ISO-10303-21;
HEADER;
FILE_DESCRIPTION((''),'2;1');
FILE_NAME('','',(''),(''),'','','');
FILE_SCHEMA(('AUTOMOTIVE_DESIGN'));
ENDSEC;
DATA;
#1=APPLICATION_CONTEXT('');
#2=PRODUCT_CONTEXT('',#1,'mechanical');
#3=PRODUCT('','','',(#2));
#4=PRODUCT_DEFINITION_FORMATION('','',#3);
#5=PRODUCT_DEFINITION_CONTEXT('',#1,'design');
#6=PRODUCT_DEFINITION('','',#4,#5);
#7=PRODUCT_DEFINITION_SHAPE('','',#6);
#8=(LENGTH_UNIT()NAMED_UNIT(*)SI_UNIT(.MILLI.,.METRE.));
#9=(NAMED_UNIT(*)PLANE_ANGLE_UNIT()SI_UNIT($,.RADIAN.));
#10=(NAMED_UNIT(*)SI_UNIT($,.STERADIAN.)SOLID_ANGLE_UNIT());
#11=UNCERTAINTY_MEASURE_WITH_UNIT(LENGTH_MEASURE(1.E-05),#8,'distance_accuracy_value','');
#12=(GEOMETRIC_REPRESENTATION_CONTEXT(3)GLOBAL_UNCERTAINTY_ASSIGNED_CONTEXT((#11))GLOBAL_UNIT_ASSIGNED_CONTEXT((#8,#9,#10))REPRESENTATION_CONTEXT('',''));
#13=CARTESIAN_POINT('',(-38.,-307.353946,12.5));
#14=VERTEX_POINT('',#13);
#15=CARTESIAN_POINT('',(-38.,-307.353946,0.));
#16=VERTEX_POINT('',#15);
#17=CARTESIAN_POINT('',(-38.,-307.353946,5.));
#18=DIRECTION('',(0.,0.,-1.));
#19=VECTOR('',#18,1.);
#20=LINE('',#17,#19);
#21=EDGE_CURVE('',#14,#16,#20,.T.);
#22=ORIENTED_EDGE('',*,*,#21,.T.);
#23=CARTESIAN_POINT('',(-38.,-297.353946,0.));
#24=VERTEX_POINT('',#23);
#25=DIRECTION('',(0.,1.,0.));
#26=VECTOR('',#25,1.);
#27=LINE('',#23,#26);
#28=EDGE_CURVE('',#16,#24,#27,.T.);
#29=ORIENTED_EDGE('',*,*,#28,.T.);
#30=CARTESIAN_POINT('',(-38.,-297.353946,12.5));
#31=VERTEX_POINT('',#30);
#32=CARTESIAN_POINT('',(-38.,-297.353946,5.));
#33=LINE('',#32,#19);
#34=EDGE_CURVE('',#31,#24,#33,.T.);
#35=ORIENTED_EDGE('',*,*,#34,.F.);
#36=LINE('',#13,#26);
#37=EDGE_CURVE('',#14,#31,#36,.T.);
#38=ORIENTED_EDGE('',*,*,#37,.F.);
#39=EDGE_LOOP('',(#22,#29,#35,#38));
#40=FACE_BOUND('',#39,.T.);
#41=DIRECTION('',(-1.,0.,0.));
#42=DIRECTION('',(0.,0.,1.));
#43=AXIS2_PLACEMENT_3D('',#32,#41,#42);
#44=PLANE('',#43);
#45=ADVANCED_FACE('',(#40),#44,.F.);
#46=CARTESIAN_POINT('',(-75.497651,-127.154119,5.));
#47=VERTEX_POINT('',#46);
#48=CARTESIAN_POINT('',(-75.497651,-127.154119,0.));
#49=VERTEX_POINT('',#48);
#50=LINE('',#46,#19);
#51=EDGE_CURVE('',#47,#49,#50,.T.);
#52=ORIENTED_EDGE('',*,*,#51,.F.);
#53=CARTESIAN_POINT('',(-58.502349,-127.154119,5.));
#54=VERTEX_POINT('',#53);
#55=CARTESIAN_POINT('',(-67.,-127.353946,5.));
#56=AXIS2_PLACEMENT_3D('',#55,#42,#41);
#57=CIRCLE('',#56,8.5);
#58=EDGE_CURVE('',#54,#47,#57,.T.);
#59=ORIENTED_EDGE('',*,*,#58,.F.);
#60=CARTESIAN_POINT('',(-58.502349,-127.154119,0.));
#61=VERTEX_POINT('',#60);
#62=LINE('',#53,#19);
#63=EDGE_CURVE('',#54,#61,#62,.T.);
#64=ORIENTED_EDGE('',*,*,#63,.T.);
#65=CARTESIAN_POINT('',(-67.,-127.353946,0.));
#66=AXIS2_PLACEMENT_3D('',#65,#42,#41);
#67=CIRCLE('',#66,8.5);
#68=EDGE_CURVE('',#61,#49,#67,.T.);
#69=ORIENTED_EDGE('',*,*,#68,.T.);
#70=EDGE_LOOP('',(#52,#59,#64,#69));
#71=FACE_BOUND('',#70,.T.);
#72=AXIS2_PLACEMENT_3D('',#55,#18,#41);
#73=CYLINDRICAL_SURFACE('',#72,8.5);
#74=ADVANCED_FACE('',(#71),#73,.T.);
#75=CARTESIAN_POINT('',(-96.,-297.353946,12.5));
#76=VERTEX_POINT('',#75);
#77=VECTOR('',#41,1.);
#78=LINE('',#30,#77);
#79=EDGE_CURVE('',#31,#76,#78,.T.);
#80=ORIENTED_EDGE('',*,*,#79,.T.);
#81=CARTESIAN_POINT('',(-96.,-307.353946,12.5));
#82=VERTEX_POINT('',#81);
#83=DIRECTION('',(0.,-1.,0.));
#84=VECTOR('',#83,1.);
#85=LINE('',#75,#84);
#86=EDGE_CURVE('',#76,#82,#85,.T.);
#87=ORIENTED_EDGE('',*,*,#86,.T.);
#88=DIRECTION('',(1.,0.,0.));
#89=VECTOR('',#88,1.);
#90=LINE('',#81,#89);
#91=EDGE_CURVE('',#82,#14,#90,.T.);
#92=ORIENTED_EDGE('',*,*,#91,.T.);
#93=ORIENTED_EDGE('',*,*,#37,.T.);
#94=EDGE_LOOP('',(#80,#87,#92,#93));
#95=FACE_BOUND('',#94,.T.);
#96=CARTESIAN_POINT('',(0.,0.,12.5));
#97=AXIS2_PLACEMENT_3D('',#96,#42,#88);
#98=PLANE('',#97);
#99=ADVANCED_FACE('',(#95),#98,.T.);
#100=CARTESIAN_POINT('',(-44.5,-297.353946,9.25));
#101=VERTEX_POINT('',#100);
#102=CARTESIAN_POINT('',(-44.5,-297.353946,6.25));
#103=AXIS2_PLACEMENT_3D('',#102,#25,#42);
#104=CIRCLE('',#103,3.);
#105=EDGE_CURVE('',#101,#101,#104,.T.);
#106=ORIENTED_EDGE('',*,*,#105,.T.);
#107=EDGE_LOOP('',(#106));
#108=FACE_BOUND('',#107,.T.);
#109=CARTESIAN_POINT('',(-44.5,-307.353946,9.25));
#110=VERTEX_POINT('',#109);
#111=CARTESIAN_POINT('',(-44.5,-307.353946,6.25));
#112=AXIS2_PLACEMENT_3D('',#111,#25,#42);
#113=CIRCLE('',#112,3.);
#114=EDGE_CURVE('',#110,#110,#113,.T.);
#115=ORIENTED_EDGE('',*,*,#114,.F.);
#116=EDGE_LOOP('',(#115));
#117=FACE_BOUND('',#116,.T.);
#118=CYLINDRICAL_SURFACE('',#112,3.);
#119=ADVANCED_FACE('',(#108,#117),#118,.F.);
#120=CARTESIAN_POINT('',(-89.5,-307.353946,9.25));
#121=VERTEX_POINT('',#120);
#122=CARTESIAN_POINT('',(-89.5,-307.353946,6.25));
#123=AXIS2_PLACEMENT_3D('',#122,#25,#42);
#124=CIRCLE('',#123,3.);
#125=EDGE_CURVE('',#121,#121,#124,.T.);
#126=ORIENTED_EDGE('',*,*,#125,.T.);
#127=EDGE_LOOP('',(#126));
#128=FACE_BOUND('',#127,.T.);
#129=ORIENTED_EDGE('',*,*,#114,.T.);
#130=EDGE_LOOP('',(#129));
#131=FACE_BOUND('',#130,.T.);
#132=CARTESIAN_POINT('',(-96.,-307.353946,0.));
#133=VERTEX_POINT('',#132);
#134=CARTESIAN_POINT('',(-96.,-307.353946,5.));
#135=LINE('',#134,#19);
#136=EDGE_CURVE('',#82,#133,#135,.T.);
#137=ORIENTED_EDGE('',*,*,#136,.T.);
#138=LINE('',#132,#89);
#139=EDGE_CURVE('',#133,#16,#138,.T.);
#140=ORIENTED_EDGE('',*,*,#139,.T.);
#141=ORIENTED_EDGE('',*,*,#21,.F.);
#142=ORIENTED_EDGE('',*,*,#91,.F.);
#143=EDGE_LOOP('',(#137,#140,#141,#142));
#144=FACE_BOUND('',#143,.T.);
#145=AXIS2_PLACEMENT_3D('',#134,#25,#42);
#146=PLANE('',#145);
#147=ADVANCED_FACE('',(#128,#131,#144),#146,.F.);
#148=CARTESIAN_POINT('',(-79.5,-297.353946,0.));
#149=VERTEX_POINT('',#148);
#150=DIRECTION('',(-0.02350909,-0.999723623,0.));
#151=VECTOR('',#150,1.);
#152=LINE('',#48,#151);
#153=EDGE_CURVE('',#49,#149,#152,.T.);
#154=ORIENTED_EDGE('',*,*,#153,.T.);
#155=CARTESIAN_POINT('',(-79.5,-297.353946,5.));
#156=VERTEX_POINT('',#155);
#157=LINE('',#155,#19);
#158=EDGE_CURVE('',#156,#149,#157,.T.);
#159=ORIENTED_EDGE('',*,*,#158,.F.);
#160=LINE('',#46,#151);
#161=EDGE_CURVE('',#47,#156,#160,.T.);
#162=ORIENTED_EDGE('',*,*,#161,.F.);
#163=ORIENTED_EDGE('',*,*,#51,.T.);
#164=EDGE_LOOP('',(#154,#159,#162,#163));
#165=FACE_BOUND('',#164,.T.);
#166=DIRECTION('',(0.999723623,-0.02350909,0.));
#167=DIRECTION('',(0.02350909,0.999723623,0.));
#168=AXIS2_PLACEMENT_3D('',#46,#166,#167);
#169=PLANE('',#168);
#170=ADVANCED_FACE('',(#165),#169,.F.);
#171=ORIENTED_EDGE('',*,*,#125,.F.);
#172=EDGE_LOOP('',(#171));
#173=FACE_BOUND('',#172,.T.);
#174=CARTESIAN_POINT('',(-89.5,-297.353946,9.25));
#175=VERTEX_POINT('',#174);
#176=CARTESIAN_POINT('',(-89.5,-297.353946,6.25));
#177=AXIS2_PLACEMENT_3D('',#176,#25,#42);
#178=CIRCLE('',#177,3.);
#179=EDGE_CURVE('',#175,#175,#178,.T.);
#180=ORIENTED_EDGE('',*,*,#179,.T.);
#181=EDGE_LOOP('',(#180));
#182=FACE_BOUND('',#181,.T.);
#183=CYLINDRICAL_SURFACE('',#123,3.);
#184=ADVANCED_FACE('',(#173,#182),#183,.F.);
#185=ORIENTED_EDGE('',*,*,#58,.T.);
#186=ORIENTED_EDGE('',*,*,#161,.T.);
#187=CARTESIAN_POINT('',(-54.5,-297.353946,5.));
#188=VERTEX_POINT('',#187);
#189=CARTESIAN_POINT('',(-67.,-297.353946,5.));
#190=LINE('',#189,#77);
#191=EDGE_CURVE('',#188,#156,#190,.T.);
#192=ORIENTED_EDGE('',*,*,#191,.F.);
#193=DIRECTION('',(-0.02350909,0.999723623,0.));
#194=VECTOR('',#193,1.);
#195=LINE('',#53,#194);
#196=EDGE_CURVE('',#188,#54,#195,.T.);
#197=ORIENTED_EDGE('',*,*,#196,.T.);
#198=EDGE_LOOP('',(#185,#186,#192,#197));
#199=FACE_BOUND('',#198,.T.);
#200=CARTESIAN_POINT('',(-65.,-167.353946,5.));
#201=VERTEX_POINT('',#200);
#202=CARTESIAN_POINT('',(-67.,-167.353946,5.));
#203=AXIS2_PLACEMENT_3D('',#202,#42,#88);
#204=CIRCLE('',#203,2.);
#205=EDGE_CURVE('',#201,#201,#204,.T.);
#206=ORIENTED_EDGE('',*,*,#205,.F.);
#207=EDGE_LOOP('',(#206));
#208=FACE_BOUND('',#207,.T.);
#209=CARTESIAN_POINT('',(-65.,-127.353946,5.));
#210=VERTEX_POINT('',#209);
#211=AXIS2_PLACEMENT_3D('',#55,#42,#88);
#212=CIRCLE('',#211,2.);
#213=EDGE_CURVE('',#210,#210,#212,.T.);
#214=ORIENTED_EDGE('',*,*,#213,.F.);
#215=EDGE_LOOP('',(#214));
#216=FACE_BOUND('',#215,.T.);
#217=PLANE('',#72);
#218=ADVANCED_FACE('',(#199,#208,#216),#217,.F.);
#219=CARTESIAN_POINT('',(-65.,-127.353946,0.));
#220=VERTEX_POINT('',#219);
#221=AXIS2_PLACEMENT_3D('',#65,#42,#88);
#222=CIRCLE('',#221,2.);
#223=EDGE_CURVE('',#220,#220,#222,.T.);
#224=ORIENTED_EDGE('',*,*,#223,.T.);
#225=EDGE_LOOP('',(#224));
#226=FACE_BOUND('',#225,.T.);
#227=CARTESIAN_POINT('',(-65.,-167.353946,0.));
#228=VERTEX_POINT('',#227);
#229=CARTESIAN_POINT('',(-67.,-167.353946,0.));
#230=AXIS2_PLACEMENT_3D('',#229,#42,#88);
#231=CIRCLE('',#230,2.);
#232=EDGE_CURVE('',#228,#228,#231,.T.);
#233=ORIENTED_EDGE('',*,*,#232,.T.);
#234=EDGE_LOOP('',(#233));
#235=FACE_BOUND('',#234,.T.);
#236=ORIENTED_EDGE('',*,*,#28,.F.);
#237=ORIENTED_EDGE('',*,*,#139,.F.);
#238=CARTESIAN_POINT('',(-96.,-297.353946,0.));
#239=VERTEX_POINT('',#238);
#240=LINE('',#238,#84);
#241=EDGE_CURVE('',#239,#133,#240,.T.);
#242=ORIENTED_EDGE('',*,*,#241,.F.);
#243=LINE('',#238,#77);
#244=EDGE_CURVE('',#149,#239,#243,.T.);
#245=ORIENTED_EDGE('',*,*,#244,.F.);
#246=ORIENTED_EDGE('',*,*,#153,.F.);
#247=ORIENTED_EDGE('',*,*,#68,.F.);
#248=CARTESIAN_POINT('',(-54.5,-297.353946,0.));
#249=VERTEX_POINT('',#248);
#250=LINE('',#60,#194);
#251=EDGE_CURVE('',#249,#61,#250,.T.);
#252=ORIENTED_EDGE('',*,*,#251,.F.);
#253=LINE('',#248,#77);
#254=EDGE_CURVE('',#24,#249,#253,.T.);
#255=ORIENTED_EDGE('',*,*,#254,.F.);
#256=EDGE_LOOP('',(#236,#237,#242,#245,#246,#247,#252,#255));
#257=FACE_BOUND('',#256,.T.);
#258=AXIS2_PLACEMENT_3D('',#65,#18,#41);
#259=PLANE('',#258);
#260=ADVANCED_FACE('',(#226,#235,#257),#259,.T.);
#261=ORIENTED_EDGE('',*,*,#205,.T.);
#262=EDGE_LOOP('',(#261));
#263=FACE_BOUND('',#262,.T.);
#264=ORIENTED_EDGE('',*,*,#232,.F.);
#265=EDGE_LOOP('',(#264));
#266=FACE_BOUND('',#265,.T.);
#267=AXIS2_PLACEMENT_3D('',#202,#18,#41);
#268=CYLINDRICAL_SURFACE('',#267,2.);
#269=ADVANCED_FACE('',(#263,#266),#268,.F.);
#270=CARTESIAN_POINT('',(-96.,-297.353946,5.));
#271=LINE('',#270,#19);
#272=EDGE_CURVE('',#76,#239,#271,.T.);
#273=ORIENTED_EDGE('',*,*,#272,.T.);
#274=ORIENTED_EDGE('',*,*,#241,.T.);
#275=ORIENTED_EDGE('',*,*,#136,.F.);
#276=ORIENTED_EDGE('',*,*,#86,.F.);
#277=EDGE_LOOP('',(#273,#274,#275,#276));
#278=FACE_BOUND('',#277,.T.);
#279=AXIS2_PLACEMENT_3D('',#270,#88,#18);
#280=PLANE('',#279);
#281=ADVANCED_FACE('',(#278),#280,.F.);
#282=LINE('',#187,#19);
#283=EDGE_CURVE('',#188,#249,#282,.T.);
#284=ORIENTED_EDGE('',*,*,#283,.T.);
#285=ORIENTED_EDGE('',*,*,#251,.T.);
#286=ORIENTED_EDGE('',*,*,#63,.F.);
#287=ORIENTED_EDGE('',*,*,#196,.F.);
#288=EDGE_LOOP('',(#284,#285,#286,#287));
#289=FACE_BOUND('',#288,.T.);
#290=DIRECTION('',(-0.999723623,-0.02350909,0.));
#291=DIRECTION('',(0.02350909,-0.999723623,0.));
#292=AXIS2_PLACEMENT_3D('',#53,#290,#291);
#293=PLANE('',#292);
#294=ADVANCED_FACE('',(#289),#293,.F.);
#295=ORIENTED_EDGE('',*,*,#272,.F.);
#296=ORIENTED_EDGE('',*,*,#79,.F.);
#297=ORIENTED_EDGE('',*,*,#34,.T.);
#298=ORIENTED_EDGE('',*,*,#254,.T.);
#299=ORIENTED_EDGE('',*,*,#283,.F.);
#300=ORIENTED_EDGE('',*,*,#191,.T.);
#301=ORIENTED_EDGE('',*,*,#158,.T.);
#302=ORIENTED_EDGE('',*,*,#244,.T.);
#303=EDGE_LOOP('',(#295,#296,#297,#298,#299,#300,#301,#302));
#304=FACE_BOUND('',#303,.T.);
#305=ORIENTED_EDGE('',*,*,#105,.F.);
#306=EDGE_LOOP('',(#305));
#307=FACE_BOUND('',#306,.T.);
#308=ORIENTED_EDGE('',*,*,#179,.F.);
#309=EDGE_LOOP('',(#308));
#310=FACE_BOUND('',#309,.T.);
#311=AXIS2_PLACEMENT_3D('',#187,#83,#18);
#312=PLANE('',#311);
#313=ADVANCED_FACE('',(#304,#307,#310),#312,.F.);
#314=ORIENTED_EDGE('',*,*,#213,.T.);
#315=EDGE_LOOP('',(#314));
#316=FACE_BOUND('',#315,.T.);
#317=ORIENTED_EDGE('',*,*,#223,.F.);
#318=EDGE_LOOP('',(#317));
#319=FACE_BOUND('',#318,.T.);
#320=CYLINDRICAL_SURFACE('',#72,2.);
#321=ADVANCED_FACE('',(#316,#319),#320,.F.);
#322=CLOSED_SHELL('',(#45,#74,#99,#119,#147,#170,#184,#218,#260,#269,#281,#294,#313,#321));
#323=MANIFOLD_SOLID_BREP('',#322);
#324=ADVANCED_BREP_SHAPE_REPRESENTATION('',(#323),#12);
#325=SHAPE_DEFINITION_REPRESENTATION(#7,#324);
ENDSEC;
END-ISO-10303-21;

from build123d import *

# Parameters (mm, degrees)
SKETCH1_R           = 2
BOSS_EXTRUDE1_DEPTH = 5
SKETCH2_W           = 58
SKETCH2_H           = 10
BOSS_EXTRUDE2_DEPTH = 10
SKETCH3_R           = 3
CUT_EXTRUDE1_DEPTH  = 11


with BuildPart() as part:
    # Sketch1 → Boss-Extrude1 (new body)
    with BuildSketch(Plane.XY):
        with BuildLine():
            Line((-75.497650797, -127.154118822), (-79.5, -297.353946086))
            Line((-79.5, -297.353946086), (-96, -297.353946086))
            Line((-96, -297.353946086), (-96, -307.353946086))
            Line((-96, -307.353946086), (-38, -307.353946086))
            Line((-38, -307.353946086), (-38, -297.353946086))
            Line((-38, -297.353946086), (-54.5, -297.353946086))
            Line((-54.5, -297.353946086), (-58.502349203, -127.154118822))
            ThreePointArc((-58.502349203, -127.154118822), (-67, -118.853946086), (-75.497650797, -127.154118822))
        make_face()
        with Locations((-67, -167.353946086)):
            Circle(SKETCH1_R, mode=Mode.SUBTRACT)
        with Locations((-67, -127.353946086)):
            Circle(SKETCH1_R, mode=Mode.SUBTRACT)
    extrude(amount=BOSS_EXTRUDE1_DEPTH)

    # Sketch2 → Boss-Extrude2 (add)
    with BuildSketch(Plane.XY.offset(2.5)):
        with Locations((-67, -302.353946086)):
            Rectangle(SKETCH2_W, SKETCH2_H)
    extrude(amount=BOSS_EXTRUDE2_DEPTH)

    # Sketch3 → Cut-Extrude1 (cut, through all)
    with BuildSketch(Plane(origin=(0, -297.353946086, 0), x_dir=(1, 0, 0), z_dir=(0, 1, 0))):
        with Locations((-89.5, -6.25)):
            Circle(SKETCH3_R)
        with Locations((-44.5, -6.25)):
            Circle(SKETCH3_R)
    extrude(amount=-CUT_EXTRUDE1_DEPTH, mode=Mode.SUBTRACT)


solid = part.part
